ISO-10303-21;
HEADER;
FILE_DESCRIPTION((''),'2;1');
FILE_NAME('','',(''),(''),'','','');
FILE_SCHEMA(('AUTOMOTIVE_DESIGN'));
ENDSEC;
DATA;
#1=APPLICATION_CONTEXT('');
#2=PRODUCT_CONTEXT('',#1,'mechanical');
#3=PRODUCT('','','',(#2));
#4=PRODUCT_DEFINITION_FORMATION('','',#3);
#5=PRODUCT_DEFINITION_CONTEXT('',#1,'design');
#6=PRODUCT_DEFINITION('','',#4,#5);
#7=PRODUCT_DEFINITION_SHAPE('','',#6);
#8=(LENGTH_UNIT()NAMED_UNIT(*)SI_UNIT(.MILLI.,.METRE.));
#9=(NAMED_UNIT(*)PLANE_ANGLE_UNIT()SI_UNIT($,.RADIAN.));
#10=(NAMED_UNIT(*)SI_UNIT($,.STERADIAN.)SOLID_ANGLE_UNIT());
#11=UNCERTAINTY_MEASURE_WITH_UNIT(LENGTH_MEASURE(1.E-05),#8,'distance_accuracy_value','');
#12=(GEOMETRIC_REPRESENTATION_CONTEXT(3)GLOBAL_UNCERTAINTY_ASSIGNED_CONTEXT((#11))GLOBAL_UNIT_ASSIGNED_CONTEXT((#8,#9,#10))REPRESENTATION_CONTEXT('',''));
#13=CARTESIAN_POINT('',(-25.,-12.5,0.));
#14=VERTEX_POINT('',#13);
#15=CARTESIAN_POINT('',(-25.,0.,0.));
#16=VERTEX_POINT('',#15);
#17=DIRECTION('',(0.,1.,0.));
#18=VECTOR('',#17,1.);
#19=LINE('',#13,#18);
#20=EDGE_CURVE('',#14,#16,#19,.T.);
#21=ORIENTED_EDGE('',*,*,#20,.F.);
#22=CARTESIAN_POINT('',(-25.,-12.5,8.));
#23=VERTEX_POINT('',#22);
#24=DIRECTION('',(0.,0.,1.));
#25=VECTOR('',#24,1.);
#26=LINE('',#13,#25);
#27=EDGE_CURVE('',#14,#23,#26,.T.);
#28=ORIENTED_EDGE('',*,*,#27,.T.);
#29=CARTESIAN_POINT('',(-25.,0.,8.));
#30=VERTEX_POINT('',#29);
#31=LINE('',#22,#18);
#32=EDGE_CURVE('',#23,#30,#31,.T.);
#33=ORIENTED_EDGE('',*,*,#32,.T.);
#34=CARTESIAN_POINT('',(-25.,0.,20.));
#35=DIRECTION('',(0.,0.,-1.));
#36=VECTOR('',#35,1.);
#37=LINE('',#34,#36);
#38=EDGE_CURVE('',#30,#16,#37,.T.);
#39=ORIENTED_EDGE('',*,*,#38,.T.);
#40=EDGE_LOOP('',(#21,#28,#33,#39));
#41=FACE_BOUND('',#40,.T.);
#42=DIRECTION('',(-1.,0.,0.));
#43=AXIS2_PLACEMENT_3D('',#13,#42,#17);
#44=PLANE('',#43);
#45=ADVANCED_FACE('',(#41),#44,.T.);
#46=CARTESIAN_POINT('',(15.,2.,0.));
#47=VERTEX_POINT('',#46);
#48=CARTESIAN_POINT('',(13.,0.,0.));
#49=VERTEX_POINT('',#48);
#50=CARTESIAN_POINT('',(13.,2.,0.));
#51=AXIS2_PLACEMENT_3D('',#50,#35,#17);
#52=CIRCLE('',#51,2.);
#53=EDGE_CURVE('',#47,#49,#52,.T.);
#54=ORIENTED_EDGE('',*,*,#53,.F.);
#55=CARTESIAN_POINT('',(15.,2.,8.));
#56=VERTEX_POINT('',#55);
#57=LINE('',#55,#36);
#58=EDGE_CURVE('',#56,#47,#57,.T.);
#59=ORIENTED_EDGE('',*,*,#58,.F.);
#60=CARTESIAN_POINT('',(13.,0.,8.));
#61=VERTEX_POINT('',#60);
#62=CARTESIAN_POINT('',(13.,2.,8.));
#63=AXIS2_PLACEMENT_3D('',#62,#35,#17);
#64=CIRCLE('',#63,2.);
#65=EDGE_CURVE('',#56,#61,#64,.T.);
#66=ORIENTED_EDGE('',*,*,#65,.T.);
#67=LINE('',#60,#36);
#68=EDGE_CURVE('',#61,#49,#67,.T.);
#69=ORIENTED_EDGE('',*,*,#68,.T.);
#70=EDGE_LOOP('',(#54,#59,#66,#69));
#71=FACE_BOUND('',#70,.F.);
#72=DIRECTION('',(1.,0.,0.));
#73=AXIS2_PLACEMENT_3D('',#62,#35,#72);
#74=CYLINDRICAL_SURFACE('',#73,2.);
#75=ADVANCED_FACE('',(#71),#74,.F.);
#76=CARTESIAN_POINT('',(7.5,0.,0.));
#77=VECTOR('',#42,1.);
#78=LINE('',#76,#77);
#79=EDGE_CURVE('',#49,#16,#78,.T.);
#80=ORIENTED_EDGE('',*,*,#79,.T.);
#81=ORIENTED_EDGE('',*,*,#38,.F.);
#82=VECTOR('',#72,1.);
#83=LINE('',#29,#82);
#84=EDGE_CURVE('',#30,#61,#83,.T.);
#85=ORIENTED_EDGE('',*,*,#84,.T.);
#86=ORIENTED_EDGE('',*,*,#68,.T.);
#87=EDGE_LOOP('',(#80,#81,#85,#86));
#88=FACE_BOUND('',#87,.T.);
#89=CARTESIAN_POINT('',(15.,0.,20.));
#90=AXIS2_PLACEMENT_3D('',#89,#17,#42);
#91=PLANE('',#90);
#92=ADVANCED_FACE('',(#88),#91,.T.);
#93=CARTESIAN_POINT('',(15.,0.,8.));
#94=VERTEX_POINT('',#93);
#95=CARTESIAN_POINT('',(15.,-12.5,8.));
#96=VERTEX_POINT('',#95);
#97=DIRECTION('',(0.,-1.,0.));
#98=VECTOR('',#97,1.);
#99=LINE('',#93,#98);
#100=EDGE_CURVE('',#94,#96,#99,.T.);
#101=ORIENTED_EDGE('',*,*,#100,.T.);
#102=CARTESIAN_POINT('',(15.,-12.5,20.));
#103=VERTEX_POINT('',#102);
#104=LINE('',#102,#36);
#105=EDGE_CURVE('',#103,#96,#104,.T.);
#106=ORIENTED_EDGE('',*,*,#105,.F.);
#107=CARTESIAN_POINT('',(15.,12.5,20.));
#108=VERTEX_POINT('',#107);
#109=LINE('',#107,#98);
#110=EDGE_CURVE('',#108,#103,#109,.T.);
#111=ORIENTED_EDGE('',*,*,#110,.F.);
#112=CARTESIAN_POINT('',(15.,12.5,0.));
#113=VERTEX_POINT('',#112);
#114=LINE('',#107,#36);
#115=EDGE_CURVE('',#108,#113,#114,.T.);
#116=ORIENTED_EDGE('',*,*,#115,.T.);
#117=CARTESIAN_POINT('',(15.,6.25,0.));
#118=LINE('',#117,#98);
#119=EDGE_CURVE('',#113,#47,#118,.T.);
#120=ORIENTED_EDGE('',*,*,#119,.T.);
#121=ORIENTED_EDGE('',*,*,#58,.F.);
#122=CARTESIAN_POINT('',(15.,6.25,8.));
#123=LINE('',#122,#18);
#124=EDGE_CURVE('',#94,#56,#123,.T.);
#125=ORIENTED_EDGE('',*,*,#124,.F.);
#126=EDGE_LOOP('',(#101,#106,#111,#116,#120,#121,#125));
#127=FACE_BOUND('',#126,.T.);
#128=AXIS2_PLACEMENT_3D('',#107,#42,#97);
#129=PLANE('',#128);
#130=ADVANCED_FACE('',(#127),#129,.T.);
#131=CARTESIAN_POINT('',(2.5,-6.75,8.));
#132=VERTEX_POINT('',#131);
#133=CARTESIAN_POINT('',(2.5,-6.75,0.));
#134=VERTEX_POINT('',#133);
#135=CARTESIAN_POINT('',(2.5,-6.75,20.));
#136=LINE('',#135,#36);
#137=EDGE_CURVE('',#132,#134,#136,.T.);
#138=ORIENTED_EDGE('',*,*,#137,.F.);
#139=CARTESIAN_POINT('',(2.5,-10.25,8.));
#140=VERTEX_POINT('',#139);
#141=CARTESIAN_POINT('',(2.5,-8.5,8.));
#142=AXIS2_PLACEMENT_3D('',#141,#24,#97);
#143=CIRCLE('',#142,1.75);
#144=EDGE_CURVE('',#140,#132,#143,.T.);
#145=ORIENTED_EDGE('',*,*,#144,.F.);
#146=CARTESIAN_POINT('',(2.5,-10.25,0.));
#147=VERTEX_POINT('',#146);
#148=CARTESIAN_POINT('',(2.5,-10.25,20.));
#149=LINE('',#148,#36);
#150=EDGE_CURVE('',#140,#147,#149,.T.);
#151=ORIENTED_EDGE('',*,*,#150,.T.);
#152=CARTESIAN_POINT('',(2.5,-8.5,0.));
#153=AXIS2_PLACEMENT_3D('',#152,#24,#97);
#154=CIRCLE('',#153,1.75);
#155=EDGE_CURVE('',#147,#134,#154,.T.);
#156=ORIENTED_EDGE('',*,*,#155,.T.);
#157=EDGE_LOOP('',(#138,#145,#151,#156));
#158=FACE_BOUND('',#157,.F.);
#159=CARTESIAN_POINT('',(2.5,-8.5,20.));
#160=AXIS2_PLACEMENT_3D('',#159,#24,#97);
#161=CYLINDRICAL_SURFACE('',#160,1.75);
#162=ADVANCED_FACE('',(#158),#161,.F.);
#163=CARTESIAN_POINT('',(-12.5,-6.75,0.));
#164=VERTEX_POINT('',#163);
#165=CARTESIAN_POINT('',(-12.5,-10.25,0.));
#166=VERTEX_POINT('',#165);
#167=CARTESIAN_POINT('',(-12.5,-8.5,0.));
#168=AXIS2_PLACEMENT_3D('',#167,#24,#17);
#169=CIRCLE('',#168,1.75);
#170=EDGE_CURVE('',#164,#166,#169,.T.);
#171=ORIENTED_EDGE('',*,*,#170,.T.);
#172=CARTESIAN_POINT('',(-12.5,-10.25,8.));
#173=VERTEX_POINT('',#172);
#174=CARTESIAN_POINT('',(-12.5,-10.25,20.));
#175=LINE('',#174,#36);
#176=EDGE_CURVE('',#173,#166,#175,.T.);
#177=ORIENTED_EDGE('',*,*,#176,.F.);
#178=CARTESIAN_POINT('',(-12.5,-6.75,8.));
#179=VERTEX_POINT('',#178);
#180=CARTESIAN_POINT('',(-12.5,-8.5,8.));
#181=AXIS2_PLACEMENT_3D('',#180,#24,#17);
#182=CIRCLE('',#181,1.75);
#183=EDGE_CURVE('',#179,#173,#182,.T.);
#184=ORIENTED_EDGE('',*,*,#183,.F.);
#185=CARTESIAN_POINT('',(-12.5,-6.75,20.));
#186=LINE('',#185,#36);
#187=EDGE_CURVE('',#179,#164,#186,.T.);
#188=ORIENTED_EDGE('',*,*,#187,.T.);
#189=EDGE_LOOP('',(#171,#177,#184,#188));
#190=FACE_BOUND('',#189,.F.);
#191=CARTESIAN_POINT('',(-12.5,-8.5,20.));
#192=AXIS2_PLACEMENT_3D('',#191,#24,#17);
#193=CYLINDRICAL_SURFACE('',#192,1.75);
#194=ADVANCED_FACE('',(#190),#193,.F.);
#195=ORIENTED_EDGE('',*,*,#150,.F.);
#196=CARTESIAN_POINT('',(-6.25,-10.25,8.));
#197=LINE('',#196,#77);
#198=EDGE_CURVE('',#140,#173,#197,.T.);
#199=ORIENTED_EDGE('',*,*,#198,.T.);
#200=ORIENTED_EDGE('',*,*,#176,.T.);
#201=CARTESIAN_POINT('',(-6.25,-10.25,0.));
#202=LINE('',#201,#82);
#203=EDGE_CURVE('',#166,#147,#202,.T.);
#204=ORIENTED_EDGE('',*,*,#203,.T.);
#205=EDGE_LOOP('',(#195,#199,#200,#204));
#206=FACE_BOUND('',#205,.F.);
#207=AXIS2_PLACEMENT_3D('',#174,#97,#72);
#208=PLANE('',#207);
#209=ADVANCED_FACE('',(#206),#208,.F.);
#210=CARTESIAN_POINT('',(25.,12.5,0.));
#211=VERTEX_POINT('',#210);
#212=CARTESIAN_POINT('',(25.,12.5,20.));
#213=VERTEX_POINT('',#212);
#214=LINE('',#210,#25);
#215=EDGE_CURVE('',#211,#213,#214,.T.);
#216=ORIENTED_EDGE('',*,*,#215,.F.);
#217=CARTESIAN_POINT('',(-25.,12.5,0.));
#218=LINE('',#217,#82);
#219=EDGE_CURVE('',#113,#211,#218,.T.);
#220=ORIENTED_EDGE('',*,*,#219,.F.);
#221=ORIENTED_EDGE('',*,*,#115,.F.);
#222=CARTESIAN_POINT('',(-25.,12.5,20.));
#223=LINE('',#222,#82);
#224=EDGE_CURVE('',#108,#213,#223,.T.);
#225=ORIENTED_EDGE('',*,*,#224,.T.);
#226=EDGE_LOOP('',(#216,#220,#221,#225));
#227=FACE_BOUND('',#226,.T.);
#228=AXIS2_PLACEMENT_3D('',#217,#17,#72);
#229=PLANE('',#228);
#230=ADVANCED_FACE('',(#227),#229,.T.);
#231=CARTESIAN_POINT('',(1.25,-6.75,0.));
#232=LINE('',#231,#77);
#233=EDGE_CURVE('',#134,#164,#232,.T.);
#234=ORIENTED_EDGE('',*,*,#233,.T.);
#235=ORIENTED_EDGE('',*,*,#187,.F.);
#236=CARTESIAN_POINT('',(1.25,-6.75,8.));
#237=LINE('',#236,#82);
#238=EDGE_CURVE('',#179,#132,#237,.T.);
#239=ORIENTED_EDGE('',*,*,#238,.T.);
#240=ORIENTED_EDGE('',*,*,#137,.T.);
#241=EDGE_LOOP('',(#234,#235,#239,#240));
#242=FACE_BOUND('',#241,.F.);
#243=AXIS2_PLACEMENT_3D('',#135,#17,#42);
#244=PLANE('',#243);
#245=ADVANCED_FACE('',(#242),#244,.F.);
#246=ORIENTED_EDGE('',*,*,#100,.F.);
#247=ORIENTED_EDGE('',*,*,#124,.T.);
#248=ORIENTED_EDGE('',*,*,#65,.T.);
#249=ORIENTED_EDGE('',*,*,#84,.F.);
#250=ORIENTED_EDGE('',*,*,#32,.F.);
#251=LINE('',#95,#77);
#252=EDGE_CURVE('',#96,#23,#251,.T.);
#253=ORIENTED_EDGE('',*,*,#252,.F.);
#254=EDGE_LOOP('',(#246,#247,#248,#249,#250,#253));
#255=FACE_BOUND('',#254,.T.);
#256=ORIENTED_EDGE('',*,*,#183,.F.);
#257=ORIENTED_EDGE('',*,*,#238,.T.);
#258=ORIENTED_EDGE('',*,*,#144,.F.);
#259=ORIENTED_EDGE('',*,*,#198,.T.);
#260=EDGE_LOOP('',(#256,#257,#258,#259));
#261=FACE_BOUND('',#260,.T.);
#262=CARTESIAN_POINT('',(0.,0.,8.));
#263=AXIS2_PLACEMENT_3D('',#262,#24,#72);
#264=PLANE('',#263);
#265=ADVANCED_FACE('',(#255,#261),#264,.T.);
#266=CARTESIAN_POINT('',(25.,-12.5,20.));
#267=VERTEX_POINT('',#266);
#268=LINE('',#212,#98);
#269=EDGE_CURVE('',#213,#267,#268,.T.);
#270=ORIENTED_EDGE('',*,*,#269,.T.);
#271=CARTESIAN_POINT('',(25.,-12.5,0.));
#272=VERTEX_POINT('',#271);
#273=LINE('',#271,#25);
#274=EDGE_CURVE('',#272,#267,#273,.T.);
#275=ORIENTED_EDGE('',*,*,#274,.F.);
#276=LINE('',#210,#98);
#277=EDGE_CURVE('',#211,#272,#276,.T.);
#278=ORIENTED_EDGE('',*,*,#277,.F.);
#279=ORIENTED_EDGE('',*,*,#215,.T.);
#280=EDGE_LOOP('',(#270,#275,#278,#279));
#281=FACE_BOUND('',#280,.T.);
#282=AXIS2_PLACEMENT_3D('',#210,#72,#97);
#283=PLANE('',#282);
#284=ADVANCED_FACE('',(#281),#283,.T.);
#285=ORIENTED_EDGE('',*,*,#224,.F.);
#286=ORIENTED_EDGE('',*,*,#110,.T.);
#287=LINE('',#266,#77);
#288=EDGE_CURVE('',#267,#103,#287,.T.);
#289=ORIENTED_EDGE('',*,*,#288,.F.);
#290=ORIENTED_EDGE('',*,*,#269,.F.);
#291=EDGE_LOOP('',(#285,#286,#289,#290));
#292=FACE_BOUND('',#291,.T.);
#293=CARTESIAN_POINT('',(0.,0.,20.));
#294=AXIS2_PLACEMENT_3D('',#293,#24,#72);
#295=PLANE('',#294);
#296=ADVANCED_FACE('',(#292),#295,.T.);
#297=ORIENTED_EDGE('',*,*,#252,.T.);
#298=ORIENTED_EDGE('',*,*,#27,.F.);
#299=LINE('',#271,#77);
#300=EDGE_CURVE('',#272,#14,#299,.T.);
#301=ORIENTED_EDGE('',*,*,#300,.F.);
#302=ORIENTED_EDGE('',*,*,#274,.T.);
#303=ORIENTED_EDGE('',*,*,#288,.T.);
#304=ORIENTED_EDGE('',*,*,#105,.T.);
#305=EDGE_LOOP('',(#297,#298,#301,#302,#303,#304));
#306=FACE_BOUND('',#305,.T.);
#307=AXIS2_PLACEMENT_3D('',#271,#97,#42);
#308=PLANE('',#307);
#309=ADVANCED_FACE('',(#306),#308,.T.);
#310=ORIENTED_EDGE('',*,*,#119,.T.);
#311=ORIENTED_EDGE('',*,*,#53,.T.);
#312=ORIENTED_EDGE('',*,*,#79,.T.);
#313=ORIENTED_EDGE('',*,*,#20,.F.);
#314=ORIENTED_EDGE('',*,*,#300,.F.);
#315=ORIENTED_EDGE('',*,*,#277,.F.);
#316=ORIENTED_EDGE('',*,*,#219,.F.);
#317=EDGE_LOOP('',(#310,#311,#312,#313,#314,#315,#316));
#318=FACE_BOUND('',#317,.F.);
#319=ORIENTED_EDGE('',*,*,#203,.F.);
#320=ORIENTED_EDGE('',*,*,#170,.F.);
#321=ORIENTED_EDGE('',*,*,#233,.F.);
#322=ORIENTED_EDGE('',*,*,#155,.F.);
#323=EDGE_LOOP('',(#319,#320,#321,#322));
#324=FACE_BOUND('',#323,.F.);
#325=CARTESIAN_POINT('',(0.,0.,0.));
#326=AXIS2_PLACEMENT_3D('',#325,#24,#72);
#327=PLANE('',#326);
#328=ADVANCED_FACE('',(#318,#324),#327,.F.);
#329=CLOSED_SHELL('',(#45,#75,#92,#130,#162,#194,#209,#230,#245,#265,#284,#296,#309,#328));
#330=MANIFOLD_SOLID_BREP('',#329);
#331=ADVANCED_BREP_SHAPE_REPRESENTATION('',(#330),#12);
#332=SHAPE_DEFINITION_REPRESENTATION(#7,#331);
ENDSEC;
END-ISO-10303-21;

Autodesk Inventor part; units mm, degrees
ref_plane "YZ Plane" through (0, 0, 0) normal (1, 0, 0) x (0, 1, 0)
ref_plane "XZ Plane" through (0, 0, 0) normal (0, 1, 0) x (-1, 0, 0)
ref_plane "XY Plane" through (0, 0, 0) normal (0, 0, 1) x (1, 0, 0)
sketch "Sketch1" plane through (0, 0, 0) normal (0, 0, 1) x (1, 0, 0)
  line L0 (-25, 12.5) -> (25, 12.5)
  line L1 (25, 12.5) -> (25, -12.5)
  line L2 (25, -12.5) -> (-25, -12.5)
  line L3 (-25, -12.5) -> (-25, 12.5)
  point P0 (0, 0)
  point P1 (0, 12.5)
  point P2 (-25, 0)
  dimension "d0" = 50
  dimension "d1" = 25
extrude "Extrusion1" add sketch "Sketch1" along normal blind 20
sketch "Sketch5" plane through (0, 0, 20) normal (0, 0, 1) x (1, 0, 0)
  line L0 (2.5, 8.5) -> (-12.5, 8.5) construction
  line L1 (2.5, 10.25) -> (-12.5, 10.25)
  line L2 (-12.5, 6.75) -> (2.5, 6.75)
  arc A0 (2.5, 6.75) -> (2.5, 10.25) centre (2.5, 8.5) ccw
  arc A1 (-12.5, 10.25) -> (-12.5, 6.75) centre (-12.5, 8.5) ccw
  line L3 (2.5, -8.5) -> (-12.5, -8.5) construction
  line L4 (2.5, -6.75) -> (-12.5, -6.75)
  line L5 (-12.5, -10.25) -> (2.5, -10.25)
  arc A2 (2.5, -10.25) -> (2.5, -6.75) centre (2.5, -8.5) ccw
  arc A3 (-12.5, -6.75) -> (-12.5, -10.25) centre (-12.5, -8.5) ccw
  line L6 (25, 12.5) -> (-25, 12.5) projected
  line L7 (-25, -12.5) -> (25, -12.5) projected
  line L8 (-25, 12.5) -> (-25, -12.5) projected
  point P0 (0, 0)
  point P1 (-5, 8.5)
  point P2 (-5, -8.5)
  dimension "d29" = 3.5
  dimension "d30" = 4
  dimension "d31" = 4
  dimension "d32" = 20
  dimension "d33" = 15
extrude "Extrusion5" cut sketch "Sketch5" against normal through all contours A2 L5 A3 L4
sketch "Sketch6" plane through (0, 0, 20) normal (0, 0, 1) x (1, 0, 0)
  line L0 (15, 0) -> (-25, 0)
  line L1 (-25, 0) -> (-25, 12.5)
  line L2 (-25, 12.5) -> (15, 12.5)
  line L3 (15, 12.5) -> (15, 0)
  line L4 (25, -12.5) -> (25, 12.5) projected
  line L5 (-25, 12.5) -> (-25, -12.5) projected
  line L6 (25, 12.5) -> (-25, 12.5) projected
  point P0 (0, 0)
  dimension "d36" = 10
extrude "Extrusion6" cut sketch "Sketch6" against normal through all
sketch "Sketch7" plane through (0, 0, 20) normal (0, 0, 1) x (1, 0, 0)
  line L0 (15, -12.5) -> (-25, -12.5)
  line L1 (-25, -12.5) -> (-25, 0)
  line L2 (-25, 0) -> (15, 0)
  line L3 (15, 0) -> (15, -12.5)
  line L4 (15, 12.5) -> (15, 0) projected
  line L5 (-25, -12.5) -> (25, -12.5) projected
  line L6 (-25, 0) -> (-25, -12.5) projected
  line L7 (15, 0) -> (-25, 0) projected
  point P0 (0, 0)
  point P1 (15, 2)
  point P2 (13, 0)
extrude "Extrusion7" cut sketch "Sketch7" against normal blind 12
fillet "Fillet2" radius 2 1 edges at (15, 0, 4)
properties part number "0005-10-025 Activator senzor Y"
